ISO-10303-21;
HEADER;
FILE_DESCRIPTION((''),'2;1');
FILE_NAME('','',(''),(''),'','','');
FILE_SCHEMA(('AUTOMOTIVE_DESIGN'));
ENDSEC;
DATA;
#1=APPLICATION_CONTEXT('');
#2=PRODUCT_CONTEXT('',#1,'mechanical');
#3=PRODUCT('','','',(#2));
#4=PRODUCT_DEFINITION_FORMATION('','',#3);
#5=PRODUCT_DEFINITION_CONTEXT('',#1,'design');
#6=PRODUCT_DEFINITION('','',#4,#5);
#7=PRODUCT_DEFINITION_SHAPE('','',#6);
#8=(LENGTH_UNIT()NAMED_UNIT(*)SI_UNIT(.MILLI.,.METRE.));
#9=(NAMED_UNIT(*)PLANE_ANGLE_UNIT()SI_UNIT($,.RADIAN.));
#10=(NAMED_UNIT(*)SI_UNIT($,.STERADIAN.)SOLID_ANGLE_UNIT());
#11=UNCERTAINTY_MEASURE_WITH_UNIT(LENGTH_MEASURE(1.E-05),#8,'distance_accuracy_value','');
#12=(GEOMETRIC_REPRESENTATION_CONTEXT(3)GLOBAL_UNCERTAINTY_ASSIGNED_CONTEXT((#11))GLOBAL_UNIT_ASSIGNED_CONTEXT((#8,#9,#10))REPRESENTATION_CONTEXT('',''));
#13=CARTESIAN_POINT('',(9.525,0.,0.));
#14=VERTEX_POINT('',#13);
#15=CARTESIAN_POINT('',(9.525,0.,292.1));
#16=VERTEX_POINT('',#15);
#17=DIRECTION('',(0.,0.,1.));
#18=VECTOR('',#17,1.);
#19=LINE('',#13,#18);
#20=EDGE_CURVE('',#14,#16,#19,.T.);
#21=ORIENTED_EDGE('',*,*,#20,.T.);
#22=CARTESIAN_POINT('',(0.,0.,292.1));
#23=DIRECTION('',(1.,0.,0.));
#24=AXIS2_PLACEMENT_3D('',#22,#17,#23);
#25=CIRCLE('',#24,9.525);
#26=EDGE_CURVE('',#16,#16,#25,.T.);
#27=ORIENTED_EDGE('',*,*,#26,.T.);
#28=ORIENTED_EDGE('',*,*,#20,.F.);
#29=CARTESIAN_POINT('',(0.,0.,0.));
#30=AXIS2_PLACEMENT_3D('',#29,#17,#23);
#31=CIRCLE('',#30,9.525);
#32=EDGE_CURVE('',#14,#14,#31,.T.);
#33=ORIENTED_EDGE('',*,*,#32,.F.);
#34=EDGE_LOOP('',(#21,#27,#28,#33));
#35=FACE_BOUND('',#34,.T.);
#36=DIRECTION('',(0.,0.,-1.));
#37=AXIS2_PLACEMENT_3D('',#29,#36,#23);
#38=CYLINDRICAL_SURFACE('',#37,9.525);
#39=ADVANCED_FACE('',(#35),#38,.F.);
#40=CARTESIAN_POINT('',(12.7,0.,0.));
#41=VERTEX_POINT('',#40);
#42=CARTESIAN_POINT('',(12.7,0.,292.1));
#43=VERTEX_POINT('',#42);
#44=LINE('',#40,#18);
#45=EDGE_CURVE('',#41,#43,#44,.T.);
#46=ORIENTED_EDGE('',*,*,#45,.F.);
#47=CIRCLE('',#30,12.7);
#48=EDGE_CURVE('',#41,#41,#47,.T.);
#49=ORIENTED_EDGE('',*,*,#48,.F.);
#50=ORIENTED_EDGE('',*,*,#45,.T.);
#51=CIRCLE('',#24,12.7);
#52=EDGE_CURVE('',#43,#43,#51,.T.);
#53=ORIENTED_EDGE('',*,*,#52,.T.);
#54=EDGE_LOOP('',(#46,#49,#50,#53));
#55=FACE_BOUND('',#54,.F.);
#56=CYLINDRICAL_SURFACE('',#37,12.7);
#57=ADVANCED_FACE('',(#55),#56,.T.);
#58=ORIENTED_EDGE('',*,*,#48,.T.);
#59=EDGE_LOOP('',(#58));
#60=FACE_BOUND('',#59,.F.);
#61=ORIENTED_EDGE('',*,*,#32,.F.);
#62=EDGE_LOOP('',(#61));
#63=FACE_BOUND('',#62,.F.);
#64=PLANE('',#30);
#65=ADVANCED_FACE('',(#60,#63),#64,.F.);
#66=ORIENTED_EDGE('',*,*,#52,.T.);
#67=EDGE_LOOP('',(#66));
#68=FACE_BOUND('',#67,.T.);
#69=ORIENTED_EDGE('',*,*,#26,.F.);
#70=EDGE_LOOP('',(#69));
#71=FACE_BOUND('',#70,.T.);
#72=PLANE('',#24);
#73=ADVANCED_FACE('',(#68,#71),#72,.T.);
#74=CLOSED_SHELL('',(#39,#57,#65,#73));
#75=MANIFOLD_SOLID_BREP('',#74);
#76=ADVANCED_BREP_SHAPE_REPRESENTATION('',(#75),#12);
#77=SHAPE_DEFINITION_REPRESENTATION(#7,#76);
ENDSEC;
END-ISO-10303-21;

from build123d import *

# Parameters (mm, degrees)
SKETCH1_R           = 12.7
SKETCH1_R_2         = 9.525
BOSS_EXTRUDE1_DEPTH = 292.1


with BuildPart() as part:
    # Sketch1 → Boss-Extrude1 (new body)
    with BuildSketch(Plane.XY):
        Circle(SKETCH1_R)
        Circle(SKETCH1_R_2, mode=Mode.SUBTRACT)
    extrude(amount=BOSS_EXTRUDE1_DEPTH)


solid = part.part
